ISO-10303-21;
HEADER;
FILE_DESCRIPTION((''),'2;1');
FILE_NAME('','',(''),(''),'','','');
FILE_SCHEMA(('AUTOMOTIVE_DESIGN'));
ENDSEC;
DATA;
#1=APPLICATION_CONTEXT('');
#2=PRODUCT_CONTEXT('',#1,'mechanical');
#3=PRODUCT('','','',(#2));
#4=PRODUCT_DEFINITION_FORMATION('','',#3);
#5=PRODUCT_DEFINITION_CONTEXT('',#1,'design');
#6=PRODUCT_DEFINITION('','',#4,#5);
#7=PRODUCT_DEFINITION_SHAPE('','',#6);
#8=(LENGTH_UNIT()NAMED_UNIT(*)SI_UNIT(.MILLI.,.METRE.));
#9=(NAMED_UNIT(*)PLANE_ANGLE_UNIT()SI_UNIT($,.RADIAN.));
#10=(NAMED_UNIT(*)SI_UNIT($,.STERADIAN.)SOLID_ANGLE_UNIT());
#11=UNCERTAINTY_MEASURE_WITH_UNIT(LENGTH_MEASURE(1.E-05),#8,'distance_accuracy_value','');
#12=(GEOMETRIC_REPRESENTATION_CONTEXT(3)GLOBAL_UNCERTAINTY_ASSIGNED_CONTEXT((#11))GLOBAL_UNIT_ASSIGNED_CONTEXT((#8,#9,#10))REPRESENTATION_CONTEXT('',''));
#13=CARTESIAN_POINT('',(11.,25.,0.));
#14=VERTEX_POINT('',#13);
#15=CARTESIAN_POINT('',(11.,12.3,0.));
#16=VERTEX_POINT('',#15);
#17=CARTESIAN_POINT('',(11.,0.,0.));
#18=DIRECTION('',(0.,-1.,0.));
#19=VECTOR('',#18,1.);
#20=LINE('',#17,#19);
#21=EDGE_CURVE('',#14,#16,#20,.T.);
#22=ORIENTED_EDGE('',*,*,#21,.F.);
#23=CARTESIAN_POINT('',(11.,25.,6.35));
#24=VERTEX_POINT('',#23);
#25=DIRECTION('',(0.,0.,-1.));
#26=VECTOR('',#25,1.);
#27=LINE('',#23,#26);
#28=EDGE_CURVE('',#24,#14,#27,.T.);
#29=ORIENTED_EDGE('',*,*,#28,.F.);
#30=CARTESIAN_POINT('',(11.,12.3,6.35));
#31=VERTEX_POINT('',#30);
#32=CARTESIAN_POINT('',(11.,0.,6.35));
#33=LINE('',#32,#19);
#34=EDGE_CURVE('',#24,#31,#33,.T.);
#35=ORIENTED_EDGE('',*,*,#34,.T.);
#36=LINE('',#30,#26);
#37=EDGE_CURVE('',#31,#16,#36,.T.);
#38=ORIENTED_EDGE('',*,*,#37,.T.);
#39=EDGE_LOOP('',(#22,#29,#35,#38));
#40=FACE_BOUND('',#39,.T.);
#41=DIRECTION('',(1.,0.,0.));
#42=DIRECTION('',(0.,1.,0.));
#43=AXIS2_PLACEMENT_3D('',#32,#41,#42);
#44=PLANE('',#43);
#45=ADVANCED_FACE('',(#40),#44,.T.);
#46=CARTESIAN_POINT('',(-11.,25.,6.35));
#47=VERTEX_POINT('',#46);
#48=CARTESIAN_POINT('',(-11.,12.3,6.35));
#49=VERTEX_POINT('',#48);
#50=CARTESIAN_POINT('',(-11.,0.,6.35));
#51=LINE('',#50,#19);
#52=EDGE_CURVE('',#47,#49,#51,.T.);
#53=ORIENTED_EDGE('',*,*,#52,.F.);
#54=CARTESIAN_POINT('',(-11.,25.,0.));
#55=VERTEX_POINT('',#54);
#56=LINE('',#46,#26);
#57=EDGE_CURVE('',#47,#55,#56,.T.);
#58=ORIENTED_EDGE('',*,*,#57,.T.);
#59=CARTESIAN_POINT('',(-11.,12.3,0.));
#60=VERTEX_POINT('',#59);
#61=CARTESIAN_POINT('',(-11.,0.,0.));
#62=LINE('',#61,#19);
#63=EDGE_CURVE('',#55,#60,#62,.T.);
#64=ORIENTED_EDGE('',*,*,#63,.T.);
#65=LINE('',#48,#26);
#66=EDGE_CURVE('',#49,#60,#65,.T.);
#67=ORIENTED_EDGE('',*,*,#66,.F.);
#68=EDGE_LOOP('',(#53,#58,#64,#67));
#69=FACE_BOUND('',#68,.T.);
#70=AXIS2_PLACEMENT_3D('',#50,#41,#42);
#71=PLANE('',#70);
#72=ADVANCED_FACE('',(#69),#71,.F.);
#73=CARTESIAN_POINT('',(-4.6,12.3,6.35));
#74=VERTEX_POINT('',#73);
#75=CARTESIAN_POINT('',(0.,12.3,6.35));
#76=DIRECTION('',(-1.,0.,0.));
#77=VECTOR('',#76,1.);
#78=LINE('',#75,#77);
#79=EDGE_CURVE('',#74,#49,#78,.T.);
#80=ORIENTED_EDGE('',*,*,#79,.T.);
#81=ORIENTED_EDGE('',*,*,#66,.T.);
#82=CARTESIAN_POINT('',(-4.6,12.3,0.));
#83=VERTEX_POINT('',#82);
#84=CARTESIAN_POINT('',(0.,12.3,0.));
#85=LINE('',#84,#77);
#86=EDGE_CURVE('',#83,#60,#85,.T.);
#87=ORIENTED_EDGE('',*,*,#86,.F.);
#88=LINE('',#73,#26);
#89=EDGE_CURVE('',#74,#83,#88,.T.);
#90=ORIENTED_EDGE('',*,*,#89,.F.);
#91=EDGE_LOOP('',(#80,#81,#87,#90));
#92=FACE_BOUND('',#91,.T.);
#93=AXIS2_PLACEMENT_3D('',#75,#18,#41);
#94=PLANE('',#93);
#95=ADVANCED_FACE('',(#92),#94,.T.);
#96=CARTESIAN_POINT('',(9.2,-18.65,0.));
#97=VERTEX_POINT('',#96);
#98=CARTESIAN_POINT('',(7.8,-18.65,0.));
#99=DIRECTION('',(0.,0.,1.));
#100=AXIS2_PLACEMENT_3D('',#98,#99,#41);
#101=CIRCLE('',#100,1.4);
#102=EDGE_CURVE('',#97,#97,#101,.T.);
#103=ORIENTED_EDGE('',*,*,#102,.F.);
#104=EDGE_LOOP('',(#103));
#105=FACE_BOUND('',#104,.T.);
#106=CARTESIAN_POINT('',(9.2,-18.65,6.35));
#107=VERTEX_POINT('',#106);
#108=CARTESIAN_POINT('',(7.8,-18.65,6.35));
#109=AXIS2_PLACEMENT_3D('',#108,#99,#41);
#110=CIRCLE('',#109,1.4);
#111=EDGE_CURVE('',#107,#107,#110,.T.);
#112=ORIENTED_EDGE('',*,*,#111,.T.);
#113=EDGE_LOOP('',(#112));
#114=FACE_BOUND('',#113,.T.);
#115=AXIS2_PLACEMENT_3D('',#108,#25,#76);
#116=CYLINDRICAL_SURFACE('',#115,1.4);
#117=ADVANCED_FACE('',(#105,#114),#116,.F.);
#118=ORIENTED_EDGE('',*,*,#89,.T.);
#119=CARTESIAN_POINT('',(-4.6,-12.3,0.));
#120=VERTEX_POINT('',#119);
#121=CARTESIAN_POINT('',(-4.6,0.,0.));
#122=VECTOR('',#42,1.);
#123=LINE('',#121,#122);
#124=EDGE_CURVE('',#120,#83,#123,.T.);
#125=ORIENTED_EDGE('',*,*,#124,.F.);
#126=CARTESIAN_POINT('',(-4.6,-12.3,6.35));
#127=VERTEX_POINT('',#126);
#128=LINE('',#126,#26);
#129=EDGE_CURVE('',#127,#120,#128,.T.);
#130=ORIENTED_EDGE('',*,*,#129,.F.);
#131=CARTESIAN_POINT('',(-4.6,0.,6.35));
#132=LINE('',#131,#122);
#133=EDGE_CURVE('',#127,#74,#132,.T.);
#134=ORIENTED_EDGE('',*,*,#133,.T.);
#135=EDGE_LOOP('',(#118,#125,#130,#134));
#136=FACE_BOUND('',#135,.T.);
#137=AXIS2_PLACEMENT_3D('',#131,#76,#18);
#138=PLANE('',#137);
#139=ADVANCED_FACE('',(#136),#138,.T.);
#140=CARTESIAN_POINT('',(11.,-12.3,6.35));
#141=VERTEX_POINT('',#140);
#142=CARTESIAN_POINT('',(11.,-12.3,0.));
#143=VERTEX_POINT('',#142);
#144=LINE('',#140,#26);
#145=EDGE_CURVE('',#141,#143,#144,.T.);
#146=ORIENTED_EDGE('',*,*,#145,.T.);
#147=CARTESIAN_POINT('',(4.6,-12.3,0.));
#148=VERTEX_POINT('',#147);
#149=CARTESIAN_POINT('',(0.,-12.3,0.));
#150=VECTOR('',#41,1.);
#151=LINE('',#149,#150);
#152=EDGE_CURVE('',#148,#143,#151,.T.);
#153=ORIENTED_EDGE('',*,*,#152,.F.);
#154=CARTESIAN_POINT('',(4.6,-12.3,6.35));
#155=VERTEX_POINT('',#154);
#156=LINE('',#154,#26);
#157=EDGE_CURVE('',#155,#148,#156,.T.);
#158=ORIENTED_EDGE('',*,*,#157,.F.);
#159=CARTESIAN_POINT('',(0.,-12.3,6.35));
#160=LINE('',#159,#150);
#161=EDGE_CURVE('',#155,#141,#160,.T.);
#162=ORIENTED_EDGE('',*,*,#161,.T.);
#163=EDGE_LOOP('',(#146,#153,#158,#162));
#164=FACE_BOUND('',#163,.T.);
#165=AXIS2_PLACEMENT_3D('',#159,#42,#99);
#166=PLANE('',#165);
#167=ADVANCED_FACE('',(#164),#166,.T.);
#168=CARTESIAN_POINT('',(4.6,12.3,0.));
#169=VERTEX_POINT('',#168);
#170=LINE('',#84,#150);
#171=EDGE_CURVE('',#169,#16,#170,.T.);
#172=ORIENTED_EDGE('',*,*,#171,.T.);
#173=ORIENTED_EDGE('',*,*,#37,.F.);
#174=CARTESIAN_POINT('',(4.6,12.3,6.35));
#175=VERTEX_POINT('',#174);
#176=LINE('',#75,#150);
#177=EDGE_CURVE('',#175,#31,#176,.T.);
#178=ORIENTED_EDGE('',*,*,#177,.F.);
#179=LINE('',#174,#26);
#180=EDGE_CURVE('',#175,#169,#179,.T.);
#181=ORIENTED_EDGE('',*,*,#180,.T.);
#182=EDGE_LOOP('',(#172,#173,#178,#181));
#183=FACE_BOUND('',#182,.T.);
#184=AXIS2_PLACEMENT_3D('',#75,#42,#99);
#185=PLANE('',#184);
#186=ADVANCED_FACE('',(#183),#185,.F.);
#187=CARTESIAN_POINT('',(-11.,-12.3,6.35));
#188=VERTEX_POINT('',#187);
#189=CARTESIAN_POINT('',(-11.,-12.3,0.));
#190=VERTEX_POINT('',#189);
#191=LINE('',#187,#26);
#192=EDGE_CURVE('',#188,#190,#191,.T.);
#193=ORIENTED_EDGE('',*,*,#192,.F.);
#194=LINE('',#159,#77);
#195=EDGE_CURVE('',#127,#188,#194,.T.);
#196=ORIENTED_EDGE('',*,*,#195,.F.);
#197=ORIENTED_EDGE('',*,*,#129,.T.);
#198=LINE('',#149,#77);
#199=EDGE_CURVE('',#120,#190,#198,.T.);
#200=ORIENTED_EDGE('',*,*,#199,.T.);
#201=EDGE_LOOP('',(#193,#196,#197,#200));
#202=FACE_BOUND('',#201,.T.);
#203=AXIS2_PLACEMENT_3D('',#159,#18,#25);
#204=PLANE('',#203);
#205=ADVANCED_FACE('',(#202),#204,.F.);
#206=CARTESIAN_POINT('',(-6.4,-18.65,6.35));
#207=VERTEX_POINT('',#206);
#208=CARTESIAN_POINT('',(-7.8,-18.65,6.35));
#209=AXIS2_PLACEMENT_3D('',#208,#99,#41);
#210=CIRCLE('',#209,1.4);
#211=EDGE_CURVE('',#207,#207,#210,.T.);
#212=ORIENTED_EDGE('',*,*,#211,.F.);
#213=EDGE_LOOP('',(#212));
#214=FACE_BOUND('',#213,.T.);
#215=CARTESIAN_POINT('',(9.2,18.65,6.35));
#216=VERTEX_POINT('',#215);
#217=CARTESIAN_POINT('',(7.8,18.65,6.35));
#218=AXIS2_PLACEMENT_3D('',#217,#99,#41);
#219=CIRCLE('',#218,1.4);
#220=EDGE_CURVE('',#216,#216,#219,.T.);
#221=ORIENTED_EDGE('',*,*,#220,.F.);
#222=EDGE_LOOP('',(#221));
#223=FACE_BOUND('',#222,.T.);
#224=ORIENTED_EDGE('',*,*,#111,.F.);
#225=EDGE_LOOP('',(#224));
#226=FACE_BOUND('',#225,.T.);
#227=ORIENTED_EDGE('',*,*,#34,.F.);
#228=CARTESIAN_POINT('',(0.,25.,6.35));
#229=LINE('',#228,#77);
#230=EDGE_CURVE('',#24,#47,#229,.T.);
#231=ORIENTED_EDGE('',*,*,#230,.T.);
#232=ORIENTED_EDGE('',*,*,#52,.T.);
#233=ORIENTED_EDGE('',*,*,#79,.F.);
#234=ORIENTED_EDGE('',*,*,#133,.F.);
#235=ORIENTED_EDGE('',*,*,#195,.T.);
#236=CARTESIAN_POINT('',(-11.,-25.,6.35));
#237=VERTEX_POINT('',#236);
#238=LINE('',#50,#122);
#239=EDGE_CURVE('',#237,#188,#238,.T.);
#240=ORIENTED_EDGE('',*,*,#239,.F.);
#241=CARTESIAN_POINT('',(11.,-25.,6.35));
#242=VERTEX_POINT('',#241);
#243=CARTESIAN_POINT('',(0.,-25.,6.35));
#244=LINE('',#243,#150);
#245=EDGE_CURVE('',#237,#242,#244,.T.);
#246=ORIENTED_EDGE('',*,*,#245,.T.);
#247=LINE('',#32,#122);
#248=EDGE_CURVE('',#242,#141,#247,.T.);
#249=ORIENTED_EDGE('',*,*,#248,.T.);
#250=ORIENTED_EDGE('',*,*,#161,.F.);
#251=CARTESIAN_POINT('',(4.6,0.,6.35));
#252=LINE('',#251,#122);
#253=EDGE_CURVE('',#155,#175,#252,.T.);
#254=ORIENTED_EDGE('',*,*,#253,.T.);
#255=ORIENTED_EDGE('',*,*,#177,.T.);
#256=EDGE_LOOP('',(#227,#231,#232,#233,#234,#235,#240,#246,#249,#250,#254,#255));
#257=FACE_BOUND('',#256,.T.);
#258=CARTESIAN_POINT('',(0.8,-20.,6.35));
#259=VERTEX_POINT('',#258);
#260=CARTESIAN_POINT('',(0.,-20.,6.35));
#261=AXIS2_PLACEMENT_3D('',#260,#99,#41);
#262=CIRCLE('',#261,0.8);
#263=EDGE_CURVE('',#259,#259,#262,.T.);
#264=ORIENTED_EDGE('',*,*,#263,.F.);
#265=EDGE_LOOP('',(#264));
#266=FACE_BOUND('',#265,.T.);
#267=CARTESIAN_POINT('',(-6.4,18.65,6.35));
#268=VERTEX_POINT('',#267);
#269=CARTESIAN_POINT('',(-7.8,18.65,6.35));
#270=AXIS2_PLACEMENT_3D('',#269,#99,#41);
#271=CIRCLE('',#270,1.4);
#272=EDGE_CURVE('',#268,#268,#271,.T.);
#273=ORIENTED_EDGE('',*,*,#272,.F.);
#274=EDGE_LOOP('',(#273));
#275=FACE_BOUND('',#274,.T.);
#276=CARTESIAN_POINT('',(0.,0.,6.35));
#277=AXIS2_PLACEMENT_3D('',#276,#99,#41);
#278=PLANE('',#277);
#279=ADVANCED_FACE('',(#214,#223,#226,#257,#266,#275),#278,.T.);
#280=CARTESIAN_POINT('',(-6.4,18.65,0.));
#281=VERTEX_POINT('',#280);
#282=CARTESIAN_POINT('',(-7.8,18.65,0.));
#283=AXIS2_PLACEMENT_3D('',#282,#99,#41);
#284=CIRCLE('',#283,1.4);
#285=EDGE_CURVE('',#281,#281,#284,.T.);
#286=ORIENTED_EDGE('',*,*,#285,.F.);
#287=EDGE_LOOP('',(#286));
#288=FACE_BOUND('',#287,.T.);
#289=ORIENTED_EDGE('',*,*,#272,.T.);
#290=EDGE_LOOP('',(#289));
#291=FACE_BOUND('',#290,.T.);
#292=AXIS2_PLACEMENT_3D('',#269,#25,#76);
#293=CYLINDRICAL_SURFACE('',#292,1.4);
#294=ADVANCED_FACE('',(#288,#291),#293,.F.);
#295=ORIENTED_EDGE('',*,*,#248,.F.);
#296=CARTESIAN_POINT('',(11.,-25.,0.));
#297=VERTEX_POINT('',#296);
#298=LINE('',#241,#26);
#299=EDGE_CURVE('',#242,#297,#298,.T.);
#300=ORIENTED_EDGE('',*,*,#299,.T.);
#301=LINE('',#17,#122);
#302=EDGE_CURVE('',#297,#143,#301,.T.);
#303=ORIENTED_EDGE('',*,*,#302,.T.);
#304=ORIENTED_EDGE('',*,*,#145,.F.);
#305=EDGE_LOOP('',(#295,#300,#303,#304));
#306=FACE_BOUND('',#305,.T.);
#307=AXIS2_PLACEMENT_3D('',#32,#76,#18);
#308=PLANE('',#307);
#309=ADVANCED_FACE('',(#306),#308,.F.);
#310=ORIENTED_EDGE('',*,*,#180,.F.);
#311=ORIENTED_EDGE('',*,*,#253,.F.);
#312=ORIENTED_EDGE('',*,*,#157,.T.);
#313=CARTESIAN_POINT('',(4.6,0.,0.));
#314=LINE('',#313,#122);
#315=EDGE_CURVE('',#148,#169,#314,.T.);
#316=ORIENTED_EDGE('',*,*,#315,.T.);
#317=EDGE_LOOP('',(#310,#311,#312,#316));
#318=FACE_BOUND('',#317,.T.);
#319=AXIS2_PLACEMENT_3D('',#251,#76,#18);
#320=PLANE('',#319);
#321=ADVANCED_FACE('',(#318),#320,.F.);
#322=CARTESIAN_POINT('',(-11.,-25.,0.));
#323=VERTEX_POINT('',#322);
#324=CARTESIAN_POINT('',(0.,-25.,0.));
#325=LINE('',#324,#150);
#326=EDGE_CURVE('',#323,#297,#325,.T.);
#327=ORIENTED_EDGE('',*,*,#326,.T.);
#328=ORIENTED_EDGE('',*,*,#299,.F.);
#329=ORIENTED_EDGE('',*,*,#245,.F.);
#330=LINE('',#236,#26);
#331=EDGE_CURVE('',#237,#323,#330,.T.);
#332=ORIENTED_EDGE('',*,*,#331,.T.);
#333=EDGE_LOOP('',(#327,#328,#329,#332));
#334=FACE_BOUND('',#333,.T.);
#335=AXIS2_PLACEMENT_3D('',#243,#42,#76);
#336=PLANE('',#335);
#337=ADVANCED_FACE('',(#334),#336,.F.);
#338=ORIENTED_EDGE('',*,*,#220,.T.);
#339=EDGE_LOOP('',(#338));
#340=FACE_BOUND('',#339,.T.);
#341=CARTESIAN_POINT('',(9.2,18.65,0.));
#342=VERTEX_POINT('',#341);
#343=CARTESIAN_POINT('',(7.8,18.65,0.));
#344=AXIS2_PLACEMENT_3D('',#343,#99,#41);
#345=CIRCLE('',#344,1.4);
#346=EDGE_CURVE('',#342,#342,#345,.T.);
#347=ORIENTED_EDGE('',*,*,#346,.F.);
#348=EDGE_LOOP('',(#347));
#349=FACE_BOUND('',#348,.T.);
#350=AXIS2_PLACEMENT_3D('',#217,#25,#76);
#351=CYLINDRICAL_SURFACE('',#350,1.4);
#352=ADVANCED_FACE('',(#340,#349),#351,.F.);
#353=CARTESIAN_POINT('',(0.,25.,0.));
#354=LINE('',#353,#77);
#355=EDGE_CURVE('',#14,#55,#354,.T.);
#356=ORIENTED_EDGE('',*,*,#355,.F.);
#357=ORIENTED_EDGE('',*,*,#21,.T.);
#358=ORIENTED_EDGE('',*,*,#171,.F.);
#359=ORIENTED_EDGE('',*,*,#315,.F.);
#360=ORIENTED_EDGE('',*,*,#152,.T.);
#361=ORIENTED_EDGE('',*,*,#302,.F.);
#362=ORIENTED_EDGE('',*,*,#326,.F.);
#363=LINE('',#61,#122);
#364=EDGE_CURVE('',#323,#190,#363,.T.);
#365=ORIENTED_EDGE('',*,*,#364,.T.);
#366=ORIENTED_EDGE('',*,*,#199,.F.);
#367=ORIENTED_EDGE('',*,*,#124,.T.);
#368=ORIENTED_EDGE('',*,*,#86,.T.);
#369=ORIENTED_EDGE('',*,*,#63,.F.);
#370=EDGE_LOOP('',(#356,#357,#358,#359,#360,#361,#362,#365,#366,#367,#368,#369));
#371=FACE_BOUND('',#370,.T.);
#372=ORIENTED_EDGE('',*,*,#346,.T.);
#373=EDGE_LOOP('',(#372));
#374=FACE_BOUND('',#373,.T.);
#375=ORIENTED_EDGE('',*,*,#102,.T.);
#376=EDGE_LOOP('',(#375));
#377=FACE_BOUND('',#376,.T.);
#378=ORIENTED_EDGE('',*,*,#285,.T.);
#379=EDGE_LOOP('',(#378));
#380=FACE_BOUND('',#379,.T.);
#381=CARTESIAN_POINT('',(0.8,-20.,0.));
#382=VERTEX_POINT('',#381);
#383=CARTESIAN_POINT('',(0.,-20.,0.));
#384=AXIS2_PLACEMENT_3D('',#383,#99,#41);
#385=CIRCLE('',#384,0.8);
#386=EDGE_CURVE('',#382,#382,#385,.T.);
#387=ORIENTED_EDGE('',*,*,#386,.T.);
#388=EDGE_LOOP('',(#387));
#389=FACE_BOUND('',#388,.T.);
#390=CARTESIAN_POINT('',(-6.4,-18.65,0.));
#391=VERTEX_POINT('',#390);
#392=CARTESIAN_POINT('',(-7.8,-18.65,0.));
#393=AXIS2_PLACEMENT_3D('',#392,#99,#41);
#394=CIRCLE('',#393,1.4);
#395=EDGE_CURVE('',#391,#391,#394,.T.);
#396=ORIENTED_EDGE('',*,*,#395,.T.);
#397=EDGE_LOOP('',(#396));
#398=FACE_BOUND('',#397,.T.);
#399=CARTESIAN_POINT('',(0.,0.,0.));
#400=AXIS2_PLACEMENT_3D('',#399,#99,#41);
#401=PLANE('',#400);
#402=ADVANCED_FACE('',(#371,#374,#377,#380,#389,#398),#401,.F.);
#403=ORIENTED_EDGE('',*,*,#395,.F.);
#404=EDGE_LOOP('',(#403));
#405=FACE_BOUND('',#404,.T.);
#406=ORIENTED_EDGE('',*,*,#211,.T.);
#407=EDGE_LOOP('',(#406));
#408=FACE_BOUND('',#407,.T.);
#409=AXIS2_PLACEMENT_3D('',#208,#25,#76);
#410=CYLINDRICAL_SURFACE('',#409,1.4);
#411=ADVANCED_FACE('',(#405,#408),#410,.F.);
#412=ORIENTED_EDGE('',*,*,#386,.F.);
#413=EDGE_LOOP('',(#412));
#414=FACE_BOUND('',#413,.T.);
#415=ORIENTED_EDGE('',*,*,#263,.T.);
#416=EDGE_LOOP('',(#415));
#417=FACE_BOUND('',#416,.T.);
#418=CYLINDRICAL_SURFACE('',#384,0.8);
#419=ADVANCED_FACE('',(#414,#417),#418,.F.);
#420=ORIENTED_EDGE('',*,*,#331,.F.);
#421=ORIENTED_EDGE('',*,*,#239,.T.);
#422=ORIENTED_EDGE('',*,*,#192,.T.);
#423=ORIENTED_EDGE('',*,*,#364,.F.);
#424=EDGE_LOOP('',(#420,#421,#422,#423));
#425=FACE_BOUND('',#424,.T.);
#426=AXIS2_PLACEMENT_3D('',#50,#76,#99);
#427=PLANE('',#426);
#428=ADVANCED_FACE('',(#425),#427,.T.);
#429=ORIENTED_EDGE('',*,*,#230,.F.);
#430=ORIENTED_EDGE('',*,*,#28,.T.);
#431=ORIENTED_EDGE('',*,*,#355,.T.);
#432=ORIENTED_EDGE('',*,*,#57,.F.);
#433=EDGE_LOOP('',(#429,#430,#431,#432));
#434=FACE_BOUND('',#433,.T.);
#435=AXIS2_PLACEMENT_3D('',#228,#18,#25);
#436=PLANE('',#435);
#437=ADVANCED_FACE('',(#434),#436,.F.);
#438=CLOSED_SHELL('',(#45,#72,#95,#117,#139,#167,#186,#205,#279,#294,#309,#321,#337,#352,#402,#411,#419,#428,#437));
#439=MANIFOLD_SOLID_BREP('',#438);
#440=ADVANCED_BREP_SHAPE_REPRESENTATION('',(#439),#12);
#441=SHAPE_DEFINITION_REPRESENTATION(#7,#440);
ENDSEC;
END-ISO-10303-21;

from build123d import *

# Parameters (mm, degrees)
SKETCH1_R           = 1.4
BOSS_EXTRUDE1_DEPTH = 6.35
SKETCH2_R           = 0.8
CUT_EXTRUDE1_DEPTH  = 29.041442545


with BuildPart() as part:
    # Sketch1 → Boss-Extrude1 (new body)
    with BuildSketch(Plane.XY):
        Polygon((11, -25), (11, -12.3), (4.6, -12.3), (4.6, 12.3), (11, 12.3), (11, 25), (-11, 25), (-11, 12.3), (-4.6, 12.3), (-4.6, -12.3), (-11, -12.3), (-11, -25), align=None)
        with Locations((7.8, -18.65)):
            Circle(SKETCH1_R, mode=Mode.SUBTRACT)
        with Locations((-7.8, -18.65)):
            Circle(SKETCH1_R, mode=Mode.SUBTRACT)
        with Locations((7.8, 18.65)):
            Circle(SKETCH1_R, mode=Mode.SUBTRACT)
        with Locations((-7.8, 18.65)):
            Circle(SKETCH1_R, mode=Mode.SUBTRACT)
    extrude(amount=BOSS_EXTRUDE1_DEPTH)

    # Sketch2 → Cut-Extrude1 (cut, through all)
    with BuildSketch(Plane.XY.offset(6.35)):
        with Locations((0, -20)):
            Circle(SKETCH2_R)
    extrude(amount=-CUT_EXTRUDE1_DEPTH, mode=Mode.SUBTRACT)


solid = part.part
